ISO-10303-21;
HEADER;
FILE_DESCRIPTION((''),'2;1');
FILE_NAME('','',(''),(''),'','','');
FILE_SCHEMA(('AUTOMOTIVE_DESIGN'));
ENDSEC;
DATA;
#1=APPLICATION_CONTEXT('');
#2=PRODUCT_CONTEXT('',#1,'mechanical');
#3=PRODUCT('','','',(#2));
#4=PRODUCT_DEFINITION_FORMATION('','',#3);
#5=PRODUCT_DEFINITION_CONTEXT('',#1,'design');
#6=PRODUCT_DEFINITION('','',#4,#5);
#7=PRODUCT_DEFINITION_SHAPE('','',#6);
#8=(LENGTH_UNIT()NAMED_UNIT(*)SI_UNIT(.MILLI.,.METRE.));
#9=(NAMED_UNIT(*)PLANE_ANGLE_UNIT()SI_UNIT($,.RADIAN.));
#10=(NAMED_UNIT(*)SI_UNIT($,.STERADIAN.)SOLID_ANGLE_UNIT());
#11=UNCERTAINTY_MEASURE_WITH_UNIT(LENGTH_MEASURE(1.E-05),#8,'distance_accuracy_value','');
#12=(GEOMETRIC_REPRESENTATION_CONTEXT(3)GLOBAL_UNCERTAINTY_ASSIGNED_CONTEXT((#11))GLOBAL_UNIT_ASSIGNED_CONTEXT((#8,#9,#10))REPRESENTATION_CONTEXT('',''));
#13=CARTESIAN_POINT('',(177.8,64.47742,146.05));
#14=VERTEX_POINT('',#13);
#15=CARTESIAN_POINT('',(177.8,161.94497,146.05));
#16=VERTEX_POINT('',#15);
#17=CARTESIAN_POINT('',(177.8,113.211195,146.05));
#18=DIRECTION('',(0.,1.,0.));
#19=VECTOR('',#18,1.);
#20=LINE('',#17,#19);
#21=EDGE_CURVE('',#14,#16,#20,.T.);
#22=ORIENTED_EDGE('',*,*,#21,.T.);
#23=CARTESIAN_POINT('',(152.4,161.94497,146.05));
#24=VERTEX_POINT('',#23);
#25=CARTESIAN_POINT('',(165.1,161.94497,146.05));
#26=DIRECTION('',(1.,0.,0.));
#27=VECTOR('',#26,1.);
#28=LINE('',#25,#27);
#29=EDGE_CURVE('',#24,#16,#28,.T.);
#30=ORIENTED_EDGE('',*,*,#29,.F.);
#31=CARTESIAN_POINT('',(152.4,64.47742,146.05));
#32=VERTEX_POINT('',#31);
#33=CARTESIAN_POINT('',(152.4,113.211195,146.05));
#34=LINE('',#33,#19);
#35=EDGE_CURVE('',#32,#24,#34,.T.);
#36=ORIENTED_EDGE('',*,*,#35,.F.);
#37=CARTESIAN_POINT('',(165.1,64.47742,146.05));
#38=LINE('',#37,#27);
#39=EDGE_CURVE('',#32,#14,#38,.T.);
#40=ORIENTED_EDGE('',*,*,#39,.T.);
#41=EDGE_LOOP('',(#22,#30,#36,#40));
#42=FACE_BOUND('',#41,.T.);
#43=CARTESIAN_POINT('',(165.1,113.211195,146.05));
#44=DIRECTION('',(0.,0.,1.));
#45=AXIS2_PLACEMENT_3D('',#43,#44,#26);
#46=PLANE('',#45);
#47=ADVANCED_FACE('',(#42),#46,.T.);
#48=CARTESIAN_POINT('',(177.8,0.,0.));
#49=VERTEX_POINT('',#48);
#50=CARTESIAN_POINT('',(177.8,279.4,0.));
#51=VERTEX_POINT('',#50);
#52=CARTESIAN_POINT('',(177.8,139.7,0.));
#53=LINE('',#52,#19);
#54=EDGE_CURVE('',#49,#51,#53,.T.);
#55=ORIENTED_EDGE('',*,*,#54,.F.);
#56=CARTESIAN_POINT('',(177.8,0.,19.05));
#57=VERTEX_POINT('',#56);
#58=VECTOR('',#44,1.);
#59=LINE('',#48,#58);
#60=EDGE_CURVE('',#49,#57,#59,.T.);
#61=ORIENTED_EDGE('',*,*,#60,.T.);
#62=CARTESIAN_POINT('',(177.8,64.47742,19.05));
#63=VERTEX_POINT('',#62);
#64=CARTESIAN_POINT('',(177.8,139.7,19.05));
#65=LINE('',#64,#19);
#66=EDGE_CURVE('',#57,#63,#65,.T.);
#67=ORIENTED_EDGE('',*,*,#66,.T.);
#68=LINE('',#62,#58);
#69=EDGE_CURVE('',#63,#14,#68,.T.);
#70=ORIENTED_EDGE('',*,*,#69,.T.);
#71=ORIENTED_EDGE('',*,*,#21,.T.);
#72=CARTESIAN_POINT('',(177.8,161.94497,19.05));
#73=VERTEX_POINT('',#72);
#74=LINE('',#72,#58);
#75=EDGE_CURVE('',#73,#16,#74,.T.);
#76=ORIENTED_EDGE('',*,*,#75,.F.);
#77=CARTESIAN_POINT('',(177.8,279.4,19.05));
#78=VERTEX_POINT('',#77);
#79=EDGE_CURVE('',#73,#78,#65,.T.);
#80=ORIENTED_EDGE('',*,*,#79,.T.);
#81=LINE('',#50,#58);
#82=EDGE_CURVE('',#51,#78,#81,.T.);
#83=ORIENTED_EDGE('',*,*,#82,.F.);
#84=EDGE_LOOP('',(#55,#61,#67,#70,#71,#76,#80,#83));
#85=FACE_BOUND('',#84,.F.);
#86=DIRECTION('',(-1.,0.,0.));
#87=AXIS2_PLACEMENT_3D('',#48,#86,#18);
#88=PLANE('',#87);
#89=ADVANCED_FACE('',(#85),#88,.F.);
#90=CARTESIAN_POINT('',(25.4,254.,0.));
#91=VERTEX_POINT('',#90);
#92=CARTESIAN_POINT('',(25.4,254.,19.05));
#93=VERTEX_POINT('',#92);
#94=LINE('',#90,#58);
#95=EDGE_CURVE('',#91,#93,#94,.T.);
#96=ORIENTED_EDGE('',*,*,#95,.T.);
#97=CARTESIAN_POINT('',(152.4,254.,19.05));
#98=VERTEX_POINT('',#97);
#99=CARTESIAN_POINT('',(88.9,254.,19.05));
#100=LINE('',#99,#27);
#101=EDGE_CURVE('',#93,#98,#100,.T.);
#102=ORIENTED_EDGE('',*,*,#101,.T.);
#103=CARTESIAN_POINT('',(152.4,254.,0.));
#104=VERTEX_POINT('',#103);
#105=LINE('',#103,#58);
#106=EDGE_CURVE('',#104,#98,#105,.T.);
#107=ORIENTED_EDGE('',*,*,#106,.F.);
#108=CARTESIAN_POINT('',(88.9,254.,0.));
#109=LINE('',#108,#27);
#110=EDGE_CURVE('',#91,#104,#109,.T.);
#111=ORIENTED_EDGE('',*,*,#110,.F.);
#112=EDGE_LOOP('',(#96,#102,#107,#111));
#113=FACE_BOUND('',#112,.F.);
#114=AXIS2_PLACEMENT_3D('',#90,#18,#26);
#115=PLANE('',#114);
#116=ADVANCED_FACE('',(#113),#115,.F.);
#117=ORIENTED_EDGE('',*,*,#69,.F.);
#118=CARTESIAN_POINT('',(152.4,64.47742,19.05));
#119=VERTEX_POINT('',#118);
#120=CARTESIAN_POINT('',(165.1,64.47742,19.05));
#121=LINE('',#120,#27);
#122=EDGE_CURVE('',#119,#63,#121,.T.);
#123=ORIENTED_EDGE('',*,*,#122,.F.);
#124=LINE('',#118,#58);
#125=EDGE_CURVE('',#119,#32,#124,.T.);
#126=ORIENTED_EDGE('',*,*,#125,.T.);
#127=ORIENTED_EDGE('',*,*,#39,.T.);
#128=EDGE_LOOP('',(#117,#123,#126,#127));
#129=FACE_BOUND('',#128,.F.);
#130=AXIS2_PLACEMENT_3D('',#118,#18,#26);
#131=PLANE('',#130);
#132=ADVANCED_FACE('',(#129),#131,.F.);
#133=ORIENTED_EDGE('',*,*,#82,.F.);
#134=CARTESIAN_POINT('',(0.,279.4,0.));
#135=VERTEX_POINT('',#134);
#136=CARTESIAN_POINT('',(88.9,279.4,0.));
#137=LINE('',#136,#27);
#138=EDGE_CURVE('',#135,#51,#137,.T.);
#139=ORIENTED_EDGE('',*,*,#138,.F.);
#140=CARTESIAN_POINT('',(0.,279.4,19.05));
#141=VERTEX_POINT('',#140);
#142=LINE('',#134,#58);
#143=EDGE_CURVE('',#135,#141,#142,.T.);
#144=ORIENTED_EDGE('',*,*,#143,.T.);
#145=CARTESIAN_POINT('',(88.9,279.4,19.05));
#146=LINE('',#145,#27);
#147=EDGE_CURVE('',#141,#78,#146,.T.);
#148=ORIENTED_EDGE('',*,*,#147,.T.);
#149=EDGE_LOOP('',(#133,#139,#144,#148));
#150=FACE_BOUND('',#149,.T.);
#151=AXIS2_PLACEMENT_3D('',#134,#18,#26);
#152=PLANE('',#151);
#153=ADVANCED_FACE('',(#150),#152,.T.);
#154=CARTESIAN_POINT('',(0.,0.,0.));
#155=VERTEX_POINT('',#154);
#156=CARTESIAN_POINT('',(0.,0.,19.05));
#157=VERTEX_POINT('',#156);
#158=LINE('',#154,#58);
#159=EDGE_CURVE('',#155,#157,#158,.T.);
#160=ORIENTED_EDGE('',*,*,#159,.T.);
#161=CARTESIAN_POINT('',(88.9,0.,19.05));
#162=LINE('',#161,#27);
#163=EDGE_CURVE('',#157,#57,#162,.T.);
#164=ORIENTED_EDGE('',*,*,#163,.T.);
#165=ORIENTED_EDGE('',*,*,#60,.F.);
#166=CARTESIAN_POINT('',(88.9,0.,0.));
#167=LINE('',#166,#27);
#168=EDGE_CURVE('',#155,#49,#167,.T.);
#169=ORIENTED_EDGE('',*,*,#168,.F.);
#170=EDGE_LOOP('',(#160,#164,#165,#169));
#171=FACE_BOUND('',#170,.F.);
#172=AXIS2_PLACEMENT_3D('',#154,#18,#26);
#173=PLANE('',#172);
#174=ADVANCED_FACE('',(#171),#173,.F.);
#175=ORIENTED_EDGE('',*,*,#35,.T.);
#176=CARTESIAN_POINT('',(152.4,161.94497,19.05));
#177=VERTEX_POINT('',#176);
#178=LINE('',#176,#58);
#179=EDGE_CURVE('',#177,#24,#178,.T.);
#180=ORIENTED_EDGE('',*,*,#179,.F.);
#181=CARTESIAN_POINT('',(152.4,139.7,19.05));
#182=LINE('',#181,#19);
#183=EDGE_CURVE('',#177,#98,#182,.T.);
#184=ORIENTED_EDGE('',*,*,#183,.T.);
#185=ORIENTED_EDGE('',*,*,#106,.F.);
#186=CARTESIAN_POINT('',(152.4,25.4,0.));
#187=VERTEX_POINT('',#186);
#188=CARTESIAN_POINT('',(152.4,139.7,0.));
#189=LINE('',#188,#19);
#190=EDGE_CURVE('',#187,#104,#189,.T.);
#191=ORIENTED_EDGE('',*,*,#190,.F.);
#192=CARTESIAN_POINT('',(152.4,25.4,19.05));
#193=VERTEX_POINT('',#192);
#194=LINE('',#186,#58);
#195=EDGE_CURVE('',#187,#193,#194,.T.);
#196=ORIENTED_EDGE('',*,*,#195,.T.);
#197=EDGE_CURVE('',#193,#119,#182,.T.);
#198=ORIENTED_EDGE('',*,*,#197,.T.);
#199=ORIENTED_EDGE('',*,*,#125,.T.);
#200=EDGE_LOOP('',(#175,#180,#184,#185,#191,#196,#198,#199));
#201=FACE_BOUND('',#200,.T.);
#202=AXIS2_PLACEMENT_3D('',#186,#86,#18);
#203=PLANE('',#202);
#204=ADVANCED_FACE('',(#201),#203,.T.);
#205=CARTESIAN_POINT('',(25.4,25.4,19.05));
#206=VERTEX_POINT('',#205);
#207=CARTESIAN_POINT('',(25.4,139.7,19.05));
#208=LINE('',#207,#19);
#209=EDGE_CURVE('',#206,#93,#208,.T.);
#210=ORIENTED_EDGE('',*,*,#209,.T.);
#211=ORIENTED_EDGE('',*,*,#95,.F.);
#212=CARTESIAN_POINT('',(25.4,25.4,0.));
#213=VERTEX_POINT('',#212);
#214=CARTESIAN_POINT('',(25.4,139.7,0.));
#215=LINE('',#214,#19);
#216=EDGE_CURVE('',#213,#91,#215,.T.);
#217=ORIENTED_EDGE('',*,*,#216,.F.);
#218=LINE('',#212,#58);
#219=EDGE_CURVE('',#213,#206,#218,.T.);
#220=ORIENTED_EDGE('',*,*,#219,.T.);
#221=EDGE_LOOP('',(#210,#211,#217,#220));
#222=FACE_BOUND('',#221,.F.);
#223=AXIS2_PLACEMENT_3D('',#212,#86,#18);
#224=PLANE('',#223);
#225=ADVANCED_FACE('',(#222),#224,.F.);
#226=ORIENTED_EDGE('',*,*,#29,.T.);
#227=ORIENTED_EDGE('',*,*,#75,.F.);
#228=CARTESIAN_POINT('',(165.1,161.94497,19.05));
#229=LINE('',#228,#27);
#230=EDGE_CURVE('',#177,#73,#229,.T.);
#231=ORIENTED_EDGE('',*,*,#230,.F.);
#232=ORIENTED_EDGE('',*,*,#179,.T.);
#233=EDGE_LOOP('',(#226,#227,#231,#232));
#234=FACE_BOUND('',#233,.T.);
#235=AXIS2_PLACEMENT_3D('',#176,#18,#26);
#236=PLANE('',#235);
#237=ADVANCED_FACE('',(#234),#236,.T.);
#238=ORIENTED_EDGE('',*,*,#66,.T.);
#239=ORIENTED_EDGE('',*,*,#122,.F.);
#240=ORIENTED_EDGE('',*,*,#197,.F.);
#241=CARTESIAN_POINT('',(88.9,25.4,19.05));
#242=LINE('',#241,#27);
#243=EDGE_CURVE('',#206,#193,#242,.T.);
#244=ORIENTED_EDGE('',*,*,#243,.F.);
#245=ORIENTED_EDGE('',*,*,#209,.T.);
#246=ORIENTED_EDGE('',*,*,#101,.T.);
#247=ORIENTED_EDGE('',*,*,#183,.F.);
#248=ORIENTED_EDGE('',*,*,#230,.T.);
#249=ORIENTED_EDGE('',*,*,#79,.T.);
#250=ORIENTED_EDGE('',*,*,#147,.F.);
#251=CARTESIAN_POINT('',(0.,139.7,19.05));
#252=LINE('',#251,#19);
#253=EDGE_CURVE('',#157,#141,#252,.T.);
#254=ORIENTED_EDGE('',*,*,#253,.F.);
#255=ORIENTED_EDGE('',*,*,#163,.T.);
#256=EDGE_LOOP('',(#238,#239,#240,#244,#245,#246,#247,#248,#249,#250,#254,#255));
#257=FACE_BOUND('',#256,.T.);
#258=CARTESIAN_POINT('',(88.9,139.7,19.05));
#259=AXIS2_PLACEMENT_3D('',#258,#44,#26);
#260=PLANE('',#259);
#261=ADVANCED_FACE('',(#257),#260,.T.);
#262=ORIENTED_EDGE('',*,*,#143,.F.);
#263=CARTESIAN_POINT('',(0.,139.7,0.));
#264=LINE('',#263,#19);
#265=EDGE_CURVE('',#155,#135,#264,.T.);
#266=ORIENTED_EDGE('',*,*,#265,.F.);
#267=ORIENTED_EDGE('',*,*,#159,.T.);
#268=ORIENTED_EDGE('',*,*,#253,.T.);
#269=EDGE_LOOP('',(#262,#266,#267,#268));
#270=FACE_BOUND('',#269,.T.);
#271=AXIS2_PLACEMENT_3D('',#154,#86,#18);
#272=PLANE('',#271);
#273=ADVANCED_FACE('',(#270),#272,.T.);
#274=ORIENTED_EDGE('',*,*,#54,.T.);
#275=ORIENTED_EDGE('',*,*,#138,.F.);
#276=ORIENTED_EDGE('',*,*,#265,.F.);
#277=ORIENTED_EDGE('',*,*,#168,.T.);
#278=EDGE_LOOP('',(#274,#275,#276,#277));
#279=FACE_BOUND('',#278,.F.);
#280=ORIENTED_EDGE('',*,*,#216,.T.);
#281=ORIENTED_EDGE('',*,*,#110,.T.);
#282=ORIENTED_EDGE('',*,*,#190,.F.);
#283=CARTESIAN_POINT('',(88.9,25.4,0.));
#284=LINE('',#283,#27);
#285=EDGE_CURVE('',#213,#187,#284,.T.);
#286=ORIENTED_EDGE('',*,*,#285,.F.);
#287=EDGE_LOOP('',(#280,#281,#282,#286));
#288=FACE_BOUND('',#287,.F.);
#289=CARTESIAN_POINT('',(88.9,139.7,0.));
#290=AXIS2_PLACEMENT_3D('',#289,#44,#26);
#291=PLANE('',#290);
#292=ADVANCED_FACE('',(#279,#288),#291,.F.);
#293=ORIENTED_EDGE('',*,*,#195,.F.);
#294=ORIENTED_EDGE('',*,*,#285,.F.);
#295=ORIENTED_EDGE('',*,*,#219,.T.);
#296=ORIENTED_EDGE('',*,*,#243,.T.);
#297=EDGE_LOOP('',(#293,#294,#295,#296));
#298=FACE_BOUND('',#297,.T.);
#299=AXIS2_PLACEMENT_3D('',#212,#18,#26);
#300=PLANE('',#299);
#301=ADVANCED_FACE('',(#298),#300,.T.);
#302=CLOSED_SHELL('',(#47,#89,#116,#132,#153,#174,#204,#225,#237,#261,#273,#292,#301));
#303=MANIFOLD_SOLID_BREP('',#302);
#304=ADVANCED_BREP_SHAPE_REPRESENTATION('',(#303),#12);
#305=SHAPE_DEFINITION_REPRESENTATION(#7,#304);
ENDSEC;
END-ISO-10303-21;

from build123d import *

# Parameters (mm, degrees)
F1_W     = 177.8
F1_H     = 279.4
F1_W_2   = 127
F1_H_2   = 228.6
F2_DEPTH = 19.05
F3_W     = 25.4
F3_H     = 97.467549
F4_DEPTH = 127


with BuildPart() as f2:
    # F1 (on face) → F2 (new body)
    with BuildSketch(Plane.XY):
        with Locations((88.9, 139.7)):
            Rectangle(F1_W, F1_H)
        with Locations((88.9, 139.7)):
            Rectangle(F1_W_2, F1_H_2, mode=Mode.SUBTRACT)
    extrude(amount=F2_DEPTH)

    # F3 (on face) → F4 (join)
    with BuildSketch(Plane.XY.offset(19.05)):
        with Locations((165.1, 113.211195)):
            Rectangle(F3_W, F3_H)
    extrude(amount=F4_DEPTH)


solid = f2.part
